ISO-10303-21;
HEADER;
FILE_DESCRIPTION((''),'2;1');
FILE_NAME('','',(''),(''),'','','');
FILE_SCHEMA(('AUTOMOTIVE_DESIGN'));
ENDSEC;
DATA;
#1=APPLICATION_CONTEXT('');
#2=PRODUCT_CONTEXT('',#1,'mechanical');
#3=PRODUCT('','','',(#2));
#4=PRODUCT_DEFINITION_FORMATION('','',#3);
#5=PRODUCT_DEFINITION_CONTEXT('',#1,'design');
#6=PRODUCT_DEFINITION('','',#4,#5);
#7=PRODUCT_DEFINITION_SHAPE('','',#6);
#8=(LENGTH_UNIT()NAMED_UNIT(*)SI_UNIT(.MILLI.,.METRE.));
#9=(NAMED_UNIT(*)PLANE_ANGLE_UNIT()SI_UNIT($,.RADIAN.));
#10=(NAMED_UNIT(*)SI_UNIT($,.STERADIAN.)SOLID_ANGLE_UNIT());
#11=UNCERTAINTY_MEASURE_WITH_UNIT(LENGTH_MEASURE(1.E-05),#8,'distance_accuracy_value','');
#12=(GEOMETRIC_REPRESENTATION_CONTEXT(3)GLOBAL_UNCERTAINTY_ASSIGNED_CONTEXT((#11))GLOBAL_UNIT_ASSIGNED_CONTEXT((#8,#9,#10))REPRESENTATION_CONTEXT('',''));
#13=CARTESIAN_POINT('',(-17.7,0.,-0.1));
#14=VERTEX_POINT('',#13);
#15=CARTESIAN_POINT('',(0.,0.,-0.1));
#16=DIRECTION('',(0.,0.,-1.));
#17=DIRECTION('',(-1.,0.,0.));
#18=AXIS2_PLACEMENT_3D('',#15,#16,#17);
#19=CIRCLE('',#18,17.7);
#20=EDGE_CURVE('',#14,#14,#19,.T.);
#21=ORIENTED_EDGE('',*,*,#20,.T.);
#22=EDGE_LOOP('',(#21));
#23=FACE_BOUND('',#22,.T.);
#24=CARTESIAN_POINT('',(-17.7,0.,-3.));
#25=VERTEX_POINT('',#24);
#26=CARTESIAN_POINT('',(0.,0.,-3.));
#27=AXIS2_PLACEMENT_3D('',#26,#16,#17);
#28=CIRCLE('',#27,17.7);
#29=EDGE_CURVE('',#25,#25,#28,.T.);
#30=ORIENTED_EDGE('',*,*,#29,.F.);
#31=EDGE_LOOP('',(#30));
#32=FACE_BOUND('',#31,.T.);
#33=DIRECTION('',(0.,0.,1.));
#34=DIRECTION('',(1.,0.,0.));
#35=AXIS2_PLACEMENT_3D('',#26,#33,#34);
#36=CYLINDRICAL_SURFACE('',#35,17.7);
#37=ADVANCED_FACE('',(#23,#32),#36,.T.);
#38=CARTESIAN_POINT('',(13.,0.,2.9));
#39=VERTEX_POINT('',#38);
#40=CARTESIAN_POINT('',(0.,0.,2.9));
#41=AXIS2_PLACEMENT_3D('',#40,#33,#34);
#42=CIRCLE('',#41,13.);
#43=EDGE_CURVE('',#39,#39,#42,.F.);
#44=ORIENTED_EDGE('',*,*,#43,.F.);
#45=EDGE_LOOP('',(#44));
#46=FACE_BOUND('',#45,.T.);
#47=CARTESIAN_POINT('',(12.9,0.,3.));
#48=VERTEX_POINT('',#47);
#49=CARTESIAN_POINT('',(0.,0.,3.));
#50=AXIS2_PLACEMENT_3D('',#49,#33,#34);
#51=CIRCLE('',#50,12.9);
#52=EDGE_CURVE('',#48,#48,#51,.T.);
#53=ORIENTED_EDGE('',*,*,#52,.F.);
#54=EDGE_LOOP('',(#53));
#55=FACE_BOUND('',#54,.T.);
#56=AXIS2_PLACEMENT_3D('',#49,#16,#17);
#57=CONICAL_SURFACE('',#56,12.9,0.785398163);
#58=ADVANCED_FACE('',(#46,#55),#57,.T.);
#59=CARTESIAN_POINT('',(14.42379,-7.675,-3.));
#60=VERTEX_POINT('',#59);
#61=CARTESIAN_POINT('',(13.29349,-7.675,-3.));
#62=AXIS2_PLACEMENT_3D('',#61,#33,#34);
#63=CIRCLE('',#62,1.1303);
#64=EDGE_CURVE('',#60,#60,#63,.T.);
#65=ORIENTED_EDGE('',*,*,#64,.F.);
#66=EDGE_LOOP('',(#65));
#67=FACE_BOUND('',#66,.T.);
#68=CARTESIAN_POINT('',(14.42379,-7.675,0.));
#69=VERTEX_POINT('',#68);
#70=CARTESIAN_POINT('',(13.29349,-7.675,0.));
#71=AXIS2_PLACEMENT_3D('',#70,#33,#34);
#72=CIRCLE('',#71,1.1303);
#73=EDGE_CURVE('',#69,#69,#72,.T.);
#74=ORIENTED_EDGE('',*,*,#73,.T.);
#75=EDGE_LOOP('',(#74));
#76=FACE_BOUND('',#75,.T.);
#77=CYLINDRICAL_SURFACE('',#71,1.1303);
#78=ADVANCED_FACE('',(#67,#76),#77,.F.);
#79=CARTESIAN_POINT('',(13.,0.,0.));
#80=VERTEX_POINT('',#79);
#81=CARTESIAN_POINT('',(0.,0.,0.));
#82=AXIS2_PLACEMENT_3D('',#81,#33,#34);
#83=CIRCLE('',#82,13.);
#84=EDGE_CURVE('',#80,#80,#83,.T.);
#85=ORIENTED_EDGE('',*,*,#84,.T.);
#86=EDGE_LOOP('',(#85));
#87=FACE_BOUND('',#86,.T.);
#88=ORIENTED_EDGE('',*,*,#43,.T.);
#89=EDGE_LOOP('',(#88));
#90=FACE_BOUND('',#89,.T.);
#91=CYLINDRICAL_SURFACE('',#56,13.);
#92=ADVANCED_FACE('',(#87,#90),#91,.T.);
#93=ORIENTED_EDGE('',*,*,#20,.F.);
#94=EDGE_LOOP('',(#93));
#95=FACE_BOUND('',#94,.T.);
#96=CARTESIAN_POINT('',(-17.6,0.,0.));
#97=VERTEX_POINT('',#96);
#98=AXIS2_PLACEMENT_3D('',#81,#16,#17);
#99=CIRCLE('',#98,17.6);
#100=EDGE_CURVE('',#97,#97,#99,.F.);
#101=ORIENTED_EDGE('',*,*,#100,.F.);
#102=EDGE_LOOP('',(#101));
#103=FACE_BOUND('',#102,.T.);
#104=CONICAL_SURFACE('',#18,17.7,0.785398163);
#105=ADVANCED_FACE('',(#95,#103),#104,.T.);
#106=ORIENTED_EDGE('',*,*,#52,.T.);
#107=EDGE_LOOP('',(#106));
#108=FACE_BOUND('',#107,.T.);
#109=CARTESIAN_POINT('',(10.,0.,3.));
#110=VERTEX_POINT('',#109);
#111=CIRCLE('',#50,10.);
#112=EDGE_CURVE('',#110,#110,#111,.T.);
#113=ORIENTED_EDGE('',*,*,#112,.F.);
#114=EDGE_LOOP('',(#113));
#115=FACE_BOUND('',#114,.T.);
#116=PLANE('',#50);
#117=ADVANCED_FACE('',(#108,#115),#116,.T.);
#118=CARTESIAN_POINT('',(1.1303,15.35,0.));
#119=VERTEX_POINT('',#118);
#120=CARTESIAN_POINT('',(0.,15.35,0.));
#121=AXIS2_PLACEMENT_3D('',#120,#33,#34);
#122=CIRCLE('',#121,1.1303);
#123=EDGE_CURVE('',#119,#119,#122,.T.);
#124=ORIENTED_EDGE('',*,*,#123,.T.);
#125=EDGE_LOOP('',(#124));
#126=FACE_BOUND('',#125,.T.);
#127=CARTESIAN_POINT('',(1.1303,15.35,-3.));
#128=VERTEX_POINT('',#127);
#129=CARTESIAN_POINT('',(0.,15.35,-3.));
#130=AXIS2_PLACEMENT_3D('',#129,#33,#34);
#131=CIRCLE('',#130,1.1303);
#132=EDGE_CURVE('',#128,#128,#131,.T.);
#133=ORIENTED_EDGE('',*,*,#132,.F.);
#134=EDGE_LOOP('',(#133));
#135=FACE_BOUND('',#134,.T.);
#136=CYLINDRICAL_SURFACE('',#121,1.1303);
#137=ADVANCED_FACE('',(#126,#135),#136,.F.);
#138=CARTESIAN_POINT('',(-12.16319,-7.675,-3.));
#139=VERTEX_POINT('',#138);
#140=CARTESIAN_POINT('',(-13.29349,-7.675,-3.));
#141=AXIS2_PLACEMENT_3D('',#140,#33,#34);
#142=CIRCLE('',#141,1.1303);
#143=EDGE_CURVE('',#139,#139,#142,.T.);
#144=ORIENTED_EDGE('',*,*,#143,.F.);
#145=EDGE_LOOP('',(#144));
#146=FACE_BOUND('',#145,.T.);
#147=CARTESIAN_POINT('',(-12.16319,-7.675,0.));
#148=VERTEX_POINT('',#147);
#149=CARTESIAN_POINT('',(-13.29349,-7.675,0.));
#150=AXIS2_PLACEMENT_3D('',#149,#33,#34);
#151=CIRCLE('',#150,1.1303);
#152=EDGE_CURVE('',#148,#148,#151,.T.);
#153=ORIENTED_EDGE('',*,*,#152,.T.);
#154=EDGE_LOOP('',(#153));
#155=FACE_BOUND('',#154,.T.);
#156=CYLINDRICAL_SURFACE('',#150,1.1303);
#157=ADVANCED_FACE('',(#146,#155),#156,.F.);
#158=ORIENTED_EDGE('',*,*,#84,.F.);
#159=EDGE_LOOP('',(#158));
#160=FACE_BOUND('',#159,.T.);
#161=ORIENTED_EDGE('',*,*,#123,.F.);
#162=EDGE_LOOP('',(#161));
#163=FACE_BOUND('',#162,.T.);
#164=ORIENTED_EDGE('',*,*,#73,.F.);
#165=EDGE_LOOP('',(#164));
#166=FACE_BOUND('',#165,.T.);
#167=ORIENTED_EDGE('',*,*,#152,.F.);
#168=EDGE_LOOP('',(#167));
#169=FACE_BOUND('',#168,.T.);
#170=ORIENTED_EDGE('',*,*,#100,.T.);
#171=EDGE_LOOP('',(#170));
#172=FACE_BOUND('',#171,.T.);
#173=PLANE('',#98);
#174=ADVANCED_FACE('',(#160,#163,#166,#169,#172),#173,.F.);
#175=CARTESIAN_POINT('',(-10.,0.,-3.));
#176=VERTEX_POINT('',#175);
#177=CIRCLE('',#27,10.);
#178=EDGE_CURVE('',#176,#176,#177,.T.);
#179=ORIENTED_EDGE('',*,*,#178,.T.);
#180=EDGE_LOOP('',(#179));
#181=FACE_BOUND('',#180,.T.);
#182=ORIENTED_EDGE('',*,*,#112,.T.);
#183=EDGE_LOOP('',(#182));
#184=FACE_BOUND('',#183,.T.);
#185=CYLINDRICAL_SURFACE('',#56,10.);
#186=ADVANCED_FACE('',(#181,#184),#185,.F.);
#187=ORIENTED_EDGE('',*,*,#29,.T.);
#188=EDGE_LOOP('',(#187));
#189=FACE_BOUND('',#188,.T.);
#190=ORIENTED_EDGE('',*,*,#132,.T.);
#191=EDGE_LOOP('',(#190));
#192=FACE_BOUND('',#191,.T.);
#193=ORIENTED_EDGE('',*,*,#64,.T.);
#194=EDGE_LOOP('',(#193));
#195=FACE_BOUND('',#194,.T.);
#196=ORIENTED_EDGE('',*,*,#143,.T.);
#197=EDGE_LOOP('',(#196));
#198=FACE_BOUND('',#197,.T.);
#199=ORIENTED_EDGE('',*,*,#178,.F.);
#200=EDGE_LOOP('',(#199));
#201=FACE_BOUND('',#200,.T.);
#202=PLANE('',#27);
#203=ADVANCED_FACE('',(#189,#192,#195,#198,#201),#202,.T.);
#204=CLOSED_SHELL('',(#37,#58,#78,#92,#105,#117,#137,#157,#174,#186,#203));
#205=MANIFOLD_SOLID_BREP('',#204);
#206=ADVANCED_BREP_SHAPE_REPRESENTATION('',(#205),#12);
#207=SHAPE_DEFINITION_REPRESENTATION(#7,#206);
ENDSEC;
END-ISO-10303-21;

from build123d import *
from build123d.topology import SkipClean

# Parameters (mm, degrees)
ESQUISSE10_R          = 13
ESQUISSE10_R_2        = 10
BOSS_EXTRU_2_DEPTH    = 3
BOSS_EXTRU_3_START    = 3
ESQUISSE11_R          = 17.7
ESQUISSE11_R_2        = 10
BOSS_EXTRU_3_DEPTH    = 3
F_4_40_TAPPED_HOLE1_D = 2.2606
CIRPATTERN1_COUNT     = 3
CHAMFER1_SIZE         = 0.1
CHAMFER2_SIZE         = 0.1


with BuildPart() as part:
    # Esquisse10 → Boss.-Extru.2 (new body)
    with BuildSketch(Plane.XY):
        Circle(ESQUISSE10_R)
        Circle(ESQUISSE10_R_2, mode=Mode.SUBTRACT)
    extrude(amount=BOSS_EXTRU_2_DEPTH)

    # Esquisse11 → Boss.-Extru.3 (add)
    with SkipClean():  # the faces are left unmerged after this step: merging them gives an invalid solid
        with BuildSketch(Plane(origin=(0, 0, 0), x_dir=(-1, 0, 0), z_dir=(0, 0, -1)).offset(BOSS_EXTRU_3_START)):
            Circle(ESQUISSE11_R)
            Circle(ESQUISSE11_R_2, mode=Mode.SUBTRACT)
        extrude(amount=-BOSS_EXTRU_3_DEPTH)

    # #4-40 Tapped Hole1 (through all)
    with Locations(Plane.XY):
        with Locations((0, 15.35)):
            f_4_40_tapped_hole1 = Hole(F_4_40_TAPPED_HOLE1_D / 2)

    # CirPattern1: #4-40 Tapped Hole1 ×3 about axis
    with SkipClean():  # the faces are left unmerged after this step: merging them gives an invalid solid
        cirpattern1_axis = Axis((0, 0, 0), (0, 0, 1))
        for i in range(1, CIRPATTERN1_COUNT):
            add(f_4_40_tapped_hole1.rotate(cirpattern1_axis, i * 360 / CIRPATTERN1_COUNT), mode=Mode.SUBTRACT)

    # Chamfer1
    chamfer1_edges = [part.edges().sort_by_distance(p)[0] for p in [
        (17.7, 0, 0),
    ]]
    chamfer(chamfer1_edges, length=CHAMFER1_SIZE)

    # Chamfer2
    chamfer2_edges = [part.edges().sort_by_distance(p)[0] for p in [
        (-13, 0, 3),
    ]]
    chamfer(chamfer2_edges, length=CHAMFER2_SIZE)


solid = part.part
